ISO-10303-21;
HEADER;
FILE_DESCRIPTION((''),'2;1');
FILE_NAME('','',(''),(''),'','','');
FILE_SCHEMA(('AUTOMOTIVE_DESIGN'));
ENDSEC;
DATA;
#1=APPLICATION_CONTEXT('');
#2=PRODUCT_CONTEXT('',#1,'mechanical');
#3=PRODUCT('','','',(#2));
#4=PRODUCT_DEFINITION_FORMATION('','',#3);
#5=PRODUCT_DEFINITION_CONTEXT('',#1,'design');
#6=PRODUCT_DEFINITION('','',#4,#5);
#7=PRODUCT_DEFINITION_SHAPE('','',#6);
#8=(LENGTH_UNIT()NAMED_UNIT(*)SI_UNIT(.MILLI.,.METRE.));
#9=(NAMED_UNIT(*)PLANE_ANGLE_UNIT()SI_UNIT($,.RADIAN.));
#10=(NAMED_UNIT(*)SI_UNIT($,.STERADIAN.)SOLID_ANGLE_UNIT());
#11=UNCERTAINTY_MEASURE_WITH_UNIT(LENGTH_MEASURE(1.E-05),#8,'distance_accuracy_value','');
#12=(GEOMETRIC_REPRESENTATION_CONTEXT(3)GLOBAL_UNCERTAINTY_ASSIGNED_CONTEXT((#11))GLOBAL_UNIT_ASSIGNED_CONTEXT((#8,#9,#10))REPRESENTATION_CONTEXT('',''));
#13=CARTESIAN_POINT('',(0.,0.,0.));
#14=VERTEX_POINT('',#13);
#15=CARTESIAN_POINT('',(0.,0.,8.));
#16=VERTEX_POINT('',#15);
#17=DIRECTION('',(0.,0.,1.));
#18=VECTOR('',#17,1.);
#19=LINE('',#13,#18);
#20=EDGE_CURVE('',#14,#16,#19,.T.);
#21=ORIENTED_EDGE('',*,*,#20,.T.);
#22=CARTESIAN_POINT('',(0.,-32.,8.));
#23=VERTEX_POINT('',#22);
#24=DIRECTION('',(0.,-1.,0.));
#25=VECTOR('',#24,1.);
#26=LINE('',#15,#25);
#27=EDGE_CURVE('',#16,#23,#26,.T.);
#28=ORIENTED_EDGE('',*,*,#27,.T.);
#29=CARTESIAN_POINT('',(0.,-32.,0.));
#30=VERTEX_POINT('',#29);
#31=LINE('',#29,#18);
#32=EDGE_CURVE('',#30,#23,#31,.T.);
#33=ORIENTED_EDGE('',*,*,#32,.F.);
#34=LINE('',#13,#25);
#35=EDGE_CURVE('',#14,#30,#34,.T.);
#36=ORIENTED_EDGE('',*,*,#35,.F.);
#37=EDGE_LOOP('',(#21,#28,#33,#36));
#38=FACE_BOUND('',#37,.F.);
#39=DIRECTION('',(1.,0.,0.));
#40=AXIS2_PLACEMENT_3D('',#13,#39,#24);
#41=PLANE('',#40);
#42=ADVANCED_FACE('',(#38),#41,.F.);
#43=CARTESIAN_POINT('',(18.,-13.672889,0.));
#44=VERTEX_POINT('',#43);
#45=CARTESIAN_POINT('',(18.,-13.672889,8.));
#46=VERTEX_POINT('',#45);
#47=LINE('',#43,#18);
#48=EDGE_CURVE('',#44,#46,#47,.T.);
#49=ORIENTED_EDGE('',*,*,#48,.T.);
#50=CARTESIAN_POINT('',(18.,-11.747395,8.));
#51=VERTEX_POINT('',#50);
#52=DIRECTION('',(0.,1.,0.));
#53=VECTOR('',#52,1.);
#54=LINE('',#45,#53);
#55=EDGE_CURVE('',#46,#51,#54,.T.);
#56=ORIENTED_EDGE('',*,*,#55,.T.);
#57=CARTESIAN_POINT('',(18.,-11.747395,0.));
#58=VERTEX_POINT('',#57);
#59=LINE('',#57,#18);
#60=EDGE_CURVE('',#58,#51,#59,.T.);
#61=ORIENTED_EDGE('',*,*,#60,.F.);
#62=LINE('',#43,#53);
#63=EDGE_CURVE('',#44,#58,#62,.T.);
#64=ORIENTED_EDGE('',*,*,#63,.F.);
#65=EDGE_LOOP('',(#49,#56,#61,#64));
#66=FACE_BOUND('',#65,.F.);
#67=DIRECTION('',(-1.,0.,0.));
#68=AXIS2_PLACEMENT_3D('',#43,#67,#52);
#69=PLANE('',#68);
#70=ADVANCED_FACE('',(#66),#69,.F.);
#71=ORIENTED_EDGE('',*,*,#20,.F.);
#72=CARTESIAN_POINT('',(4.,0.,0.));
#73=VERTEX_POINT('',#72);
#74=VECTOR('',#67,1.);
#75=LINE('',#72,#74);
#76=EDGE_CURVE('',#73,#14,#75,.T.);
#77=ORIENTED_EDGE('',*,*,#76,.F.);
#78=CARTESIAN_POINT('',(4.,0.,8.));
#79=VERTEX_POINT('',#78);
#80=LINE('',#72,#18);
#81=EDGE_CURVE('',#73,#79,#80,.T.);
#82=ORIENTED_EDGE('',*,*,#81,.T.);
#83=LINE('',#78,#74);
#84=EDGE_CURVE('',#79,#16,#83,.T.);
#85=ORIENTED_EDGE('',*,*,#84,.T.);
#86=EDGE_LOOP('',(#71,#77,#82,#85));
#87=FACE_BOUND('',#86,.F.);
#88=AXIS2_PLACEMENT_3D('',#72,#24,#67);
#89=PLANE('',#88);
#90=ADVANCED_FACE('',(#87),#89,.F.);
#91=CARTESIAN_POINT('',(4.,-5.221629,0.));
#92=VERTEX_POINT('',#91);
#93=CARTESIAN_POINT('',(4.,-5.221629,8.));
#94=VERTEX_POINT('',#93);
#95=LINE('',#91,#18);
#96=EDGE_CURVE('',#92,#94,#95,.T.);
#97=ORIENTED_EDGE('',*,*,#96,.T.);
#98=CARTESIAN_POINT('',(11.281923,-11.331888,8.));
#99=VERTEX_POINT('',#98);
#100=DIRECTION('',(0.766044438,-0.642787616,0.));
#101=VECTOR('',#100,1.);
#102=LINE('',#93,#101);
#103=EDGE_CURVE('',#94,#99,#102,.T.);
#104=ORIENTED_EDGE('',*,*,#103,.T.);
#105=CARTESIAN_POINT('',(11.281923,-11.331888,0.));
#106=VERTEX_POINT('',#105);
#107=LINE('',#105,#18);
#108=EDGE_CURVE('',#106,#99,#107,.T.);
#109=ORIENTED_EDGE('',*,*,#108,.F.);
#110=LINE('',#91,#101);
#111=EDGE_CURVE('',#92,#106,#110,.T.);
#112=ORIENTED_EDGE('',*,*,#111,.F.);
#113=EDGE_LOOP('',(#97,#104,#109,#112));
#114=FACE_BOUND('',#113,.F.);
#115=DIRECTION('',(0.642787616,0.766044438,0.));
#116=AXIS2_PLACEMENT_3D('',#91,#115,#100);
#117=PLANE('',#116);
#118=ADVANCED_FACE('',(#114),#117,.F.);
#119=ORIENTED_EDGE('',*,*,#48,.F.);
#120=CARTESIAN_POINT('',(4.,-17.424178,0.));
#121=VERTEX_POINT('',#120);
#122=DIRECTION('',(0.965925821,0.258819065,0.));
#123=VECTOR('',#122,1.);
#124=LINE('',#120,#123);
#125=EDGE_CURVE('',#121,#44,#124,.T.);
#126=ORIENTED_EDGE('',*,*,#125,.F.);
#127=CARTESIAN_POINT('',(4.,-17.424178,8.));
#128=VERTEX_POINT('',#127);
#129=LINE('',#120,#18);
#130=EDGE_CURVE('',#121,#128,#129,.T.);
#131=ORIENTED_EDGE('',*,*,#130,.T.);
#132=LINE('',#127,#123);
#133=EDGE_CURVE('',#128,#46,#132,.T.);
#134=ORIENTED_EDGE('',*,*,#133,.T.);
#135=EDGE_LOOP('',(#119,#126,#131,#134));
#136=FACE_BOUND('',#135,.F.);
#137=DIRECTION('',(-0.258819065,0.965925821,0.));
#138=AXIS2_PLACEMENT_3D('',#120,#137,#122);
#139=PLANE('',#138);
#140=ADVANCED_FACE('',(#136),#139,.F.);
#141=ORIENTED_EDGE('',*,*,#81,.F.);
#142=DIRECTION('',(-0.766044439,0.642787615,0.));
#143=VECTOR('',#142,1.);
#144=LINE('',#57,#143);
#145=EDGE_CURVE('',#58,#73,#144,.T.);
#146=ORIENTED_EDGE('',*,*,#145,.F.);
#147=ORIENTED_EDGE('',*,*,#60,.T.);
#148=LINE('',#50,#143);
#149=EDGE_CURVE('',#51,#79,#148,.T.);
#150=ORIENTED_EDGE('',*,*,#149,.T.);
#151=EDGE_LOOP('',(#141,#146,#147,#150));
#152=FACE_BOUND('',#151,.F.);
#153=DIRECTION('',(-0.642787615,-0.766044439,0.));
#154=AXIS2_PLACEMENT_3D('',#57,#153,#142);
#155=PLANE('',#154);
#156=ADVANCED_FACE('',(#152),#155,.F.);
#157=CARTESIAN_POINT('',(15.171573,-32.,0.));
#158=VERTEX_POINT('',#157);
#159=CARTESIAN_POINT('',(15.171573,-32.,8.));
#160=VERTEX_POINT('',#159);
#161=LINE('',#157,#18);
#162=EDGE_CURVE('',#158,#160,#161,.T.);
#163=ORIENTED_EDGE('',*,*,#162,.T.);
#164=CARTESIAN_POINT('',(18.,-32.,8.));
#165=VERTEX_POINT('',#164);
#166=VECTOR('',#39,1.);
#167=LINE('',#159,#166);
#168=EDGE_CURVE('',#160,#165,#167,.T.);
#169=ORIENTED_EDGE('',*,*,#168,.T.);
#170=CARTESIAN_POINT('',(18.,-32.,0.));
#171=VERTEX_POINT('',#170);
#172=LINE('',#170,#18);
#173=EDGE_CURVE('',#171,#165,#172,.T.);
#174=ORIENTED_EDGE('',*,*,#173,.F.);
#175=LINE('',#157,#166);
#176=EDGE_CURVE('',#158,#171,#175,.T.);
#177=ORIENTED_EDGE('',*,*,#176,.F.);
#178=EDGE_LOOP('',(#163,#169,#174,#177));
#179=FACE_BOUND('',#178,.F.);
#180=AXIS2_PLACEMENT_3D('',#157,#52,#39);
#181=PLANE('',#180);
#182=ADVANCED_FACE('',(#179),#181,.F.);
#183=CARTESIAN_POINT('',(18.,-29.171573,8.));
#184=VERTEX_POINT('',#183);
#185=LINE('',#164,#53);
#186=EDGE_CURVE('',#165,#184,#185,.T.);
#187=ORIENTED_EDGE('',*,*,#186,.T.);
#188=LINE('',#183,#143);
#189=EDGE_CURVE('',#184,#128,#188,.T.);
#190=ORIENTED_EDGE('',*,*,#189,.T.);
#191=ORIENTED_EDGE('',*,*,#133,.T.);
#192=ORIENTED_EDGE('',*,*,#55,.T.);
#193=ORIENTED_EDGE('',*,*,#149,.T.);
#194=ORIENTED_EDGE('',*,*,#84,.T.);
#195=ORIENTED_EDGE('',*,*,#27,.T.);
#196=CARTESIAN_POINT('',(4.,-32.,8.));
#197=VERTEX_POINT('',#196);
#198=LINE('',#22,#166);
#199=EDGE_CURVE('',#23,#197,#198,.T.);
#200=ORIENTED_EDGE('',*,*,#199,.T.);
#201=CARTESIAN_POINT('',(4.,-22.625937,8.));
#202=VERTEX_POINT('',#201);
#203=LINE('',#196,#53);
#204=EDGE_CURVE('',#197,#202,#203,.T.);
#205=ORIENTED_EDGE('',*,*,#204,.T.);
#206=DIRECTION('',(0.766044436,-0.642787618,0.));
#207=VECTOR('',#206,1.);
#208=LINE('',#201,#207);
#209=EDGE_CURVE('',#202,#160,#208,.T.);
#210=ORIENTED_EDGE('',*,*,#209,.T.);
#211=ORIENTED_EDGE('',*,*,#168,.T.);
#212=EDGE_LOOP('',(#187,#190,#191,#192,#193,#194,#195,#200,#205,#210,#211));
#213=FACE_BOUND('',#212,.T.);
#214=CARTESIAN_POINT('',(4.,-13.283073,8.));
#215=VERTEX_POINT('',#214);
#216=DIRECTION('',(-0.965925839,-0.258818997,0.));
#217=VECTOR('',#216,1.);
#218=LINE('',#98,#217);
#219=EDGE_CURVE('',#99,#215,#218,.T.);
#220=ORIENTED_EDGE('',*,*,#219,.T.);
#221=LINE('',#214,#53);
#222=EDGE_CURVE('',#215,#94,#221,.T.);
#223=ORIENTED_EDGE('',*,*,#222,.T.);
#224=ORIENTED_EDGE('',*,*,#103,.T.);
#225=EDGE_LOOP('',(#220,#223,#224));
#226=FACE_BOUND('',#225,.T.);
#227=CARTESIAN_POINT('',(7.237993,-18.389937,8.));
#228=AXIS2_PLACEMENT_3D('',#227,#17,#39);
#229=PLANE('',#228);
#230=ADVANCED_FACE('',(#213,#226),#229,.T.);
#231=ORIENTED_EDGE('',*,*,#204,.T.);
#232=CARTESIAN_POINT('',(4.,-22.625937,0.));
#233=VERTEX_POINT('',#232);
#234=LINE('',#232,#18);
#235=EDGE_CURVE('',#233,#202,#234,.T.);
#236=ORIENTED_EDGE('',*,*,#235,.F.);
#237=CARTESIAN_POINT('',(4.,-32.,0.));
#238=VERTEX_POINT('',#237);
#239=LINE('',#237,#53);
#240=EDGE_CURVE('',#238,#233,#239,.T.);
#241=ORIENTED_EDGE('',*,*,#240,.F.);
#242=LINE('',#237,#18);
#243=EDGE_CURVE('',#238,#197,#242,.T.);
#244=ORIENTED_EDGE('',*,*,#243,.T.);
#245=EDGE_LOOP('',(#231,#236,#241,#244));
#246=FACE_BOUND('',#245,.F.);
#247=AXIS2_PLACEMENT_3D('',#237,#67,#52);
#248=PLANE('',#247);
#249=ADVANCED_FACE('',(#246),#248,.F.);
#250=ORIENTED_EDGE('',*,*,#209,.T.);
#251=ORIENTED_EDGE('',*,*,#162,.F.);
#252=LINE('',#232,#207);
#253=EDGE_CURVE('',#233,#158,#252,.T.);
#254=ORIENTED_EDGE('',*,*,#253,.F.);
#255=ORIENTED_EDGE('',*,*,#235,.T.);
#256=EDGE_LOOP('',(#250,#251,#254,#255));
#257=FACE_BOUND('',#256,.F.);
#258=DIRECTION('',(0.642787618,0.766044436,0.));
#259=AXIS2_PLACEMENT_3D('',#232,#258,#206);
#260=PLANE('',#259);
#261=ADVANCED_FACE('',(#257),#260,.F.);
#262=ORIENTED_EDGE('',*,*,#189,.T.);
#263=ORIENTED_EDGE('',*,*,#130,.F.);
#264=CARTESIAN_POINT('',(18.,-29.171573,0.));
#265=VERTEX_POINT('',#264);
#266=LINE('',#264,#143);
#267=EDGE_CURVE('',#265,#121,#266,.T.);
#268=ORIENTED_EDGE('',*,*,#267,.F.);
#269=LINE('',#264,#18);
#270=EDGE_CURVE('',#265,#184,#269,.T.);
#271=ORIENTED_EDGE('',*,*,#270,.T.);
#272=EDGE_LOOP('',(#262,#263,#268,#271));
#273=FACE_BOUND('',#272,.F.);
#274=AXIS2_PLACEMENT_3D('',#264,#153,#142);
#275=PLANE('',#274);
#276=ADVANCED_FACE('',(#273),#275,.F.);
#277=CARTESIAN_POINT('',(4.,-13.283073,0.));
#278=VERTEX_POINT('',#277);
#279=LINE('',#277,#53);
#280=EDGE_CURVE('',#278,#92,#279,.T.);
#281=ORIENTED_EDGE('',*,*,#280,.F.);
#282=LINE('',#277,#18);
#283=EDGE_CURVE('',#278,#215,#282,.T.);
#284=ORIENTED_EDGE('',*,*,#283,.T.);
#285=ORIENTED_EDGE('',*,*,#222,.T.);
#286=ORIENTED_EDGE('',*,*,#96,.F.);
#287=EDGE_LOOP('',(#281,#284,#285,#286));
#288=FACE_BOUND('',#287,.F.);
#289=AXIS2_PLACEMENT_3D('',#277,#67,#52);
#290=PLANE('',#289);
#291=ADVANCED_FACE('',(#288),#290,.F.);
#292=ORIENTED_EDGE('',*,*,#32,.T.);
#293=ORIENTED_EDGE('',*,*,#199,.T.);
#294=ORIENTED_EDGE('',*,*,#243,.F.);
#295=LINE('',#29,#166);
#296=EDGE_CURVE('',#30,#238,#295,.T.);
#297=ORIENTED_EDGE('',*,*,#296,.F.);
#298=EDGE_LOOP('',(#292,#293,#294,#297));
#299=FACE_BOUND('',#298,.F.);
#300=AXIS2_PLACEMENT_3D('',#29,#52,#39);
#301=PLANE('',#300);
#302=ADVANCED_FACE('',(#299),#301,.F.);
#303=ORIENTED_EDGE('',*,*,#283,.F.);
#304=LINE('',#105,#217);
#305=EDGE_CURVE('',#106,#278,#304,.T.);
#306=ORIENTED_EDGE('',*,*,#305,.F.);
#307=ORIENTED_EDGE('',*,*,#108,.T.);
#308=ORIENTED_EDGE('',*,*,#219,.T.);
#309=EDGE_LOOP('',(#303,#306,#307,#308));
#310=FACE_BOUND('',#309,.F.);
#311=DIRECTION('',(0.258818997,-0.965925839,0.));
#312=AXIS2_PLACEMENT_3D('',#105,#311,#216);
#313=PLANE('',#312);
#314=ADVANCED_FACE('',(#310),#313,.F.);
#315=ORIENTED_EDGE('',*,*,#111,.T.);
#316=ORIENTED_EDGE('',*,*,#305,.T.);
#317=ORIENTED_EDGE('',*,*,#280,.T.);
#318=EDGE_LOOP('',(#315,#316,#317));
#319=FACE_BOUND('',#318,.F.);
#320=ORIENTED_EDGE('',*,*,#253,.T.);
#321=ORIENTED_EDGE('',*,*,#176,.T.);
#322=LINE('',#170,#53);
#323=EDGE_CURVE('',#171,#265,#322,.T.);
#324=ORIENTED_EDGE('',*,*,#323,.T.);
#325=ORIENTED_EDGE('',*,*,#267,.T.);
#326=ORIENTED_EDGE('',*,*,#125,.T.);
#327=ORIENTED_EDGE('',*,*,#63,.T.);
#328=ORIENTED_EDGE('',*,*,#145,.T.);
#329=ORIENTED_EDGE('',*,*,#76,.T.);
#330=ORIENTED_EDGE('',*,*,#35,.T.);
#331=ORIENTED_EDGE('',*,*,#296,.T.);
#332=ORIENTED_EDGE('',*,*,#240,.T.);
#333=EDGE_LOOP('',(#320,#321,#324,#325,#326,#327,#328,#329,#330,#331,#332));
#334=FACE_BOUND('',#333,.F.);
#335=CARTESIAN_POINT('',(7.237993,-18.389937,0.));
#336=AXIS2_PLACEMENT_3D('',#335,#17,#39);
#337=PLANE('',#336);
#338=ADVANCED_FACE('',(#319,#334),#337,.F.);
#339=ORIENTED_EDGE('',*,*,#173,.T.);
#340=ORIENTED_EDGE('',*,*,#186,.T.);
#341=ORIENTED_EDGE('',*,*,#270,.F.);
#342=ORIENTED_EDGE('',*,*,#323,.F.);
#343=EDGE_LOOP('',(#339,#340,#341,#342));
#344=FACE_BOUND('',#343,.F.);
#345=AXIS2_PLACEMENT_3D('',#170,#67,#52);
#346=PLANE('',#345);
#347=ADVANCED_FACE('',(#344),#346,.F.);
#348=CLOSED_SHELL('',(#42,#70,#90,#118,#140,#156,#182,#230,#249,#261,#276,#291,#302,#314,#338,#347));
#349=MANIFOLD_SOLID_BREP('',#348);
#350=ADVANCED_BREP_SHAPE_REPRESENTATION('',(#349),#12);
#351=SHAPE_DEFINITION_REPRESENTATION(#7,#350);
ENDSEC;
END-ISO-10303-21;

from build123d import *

# Parameters (mm, degrees)
F1_DEPTH = 8


with BuildPart() as f1:
    # F0 (on Top) → F1 (new body)
    with BuildSketch(Plane.XY):
        Polygon((4, 0), (0, 0), (0, -32), (4, -32), (4, -22.625937), (15.171573, -32), (18, -32), (18, -29.171573), (4, -17.424178), (18, -13.672889), (18, -11.747395), align=None)
        Polygon((4, -13.283073), (4, -5.221629), (11.281923, -11.331888), align=None, mode=Mode.SUBTRACT)
    extrude(amount=F1_DEPTH)


solid = f1.part
